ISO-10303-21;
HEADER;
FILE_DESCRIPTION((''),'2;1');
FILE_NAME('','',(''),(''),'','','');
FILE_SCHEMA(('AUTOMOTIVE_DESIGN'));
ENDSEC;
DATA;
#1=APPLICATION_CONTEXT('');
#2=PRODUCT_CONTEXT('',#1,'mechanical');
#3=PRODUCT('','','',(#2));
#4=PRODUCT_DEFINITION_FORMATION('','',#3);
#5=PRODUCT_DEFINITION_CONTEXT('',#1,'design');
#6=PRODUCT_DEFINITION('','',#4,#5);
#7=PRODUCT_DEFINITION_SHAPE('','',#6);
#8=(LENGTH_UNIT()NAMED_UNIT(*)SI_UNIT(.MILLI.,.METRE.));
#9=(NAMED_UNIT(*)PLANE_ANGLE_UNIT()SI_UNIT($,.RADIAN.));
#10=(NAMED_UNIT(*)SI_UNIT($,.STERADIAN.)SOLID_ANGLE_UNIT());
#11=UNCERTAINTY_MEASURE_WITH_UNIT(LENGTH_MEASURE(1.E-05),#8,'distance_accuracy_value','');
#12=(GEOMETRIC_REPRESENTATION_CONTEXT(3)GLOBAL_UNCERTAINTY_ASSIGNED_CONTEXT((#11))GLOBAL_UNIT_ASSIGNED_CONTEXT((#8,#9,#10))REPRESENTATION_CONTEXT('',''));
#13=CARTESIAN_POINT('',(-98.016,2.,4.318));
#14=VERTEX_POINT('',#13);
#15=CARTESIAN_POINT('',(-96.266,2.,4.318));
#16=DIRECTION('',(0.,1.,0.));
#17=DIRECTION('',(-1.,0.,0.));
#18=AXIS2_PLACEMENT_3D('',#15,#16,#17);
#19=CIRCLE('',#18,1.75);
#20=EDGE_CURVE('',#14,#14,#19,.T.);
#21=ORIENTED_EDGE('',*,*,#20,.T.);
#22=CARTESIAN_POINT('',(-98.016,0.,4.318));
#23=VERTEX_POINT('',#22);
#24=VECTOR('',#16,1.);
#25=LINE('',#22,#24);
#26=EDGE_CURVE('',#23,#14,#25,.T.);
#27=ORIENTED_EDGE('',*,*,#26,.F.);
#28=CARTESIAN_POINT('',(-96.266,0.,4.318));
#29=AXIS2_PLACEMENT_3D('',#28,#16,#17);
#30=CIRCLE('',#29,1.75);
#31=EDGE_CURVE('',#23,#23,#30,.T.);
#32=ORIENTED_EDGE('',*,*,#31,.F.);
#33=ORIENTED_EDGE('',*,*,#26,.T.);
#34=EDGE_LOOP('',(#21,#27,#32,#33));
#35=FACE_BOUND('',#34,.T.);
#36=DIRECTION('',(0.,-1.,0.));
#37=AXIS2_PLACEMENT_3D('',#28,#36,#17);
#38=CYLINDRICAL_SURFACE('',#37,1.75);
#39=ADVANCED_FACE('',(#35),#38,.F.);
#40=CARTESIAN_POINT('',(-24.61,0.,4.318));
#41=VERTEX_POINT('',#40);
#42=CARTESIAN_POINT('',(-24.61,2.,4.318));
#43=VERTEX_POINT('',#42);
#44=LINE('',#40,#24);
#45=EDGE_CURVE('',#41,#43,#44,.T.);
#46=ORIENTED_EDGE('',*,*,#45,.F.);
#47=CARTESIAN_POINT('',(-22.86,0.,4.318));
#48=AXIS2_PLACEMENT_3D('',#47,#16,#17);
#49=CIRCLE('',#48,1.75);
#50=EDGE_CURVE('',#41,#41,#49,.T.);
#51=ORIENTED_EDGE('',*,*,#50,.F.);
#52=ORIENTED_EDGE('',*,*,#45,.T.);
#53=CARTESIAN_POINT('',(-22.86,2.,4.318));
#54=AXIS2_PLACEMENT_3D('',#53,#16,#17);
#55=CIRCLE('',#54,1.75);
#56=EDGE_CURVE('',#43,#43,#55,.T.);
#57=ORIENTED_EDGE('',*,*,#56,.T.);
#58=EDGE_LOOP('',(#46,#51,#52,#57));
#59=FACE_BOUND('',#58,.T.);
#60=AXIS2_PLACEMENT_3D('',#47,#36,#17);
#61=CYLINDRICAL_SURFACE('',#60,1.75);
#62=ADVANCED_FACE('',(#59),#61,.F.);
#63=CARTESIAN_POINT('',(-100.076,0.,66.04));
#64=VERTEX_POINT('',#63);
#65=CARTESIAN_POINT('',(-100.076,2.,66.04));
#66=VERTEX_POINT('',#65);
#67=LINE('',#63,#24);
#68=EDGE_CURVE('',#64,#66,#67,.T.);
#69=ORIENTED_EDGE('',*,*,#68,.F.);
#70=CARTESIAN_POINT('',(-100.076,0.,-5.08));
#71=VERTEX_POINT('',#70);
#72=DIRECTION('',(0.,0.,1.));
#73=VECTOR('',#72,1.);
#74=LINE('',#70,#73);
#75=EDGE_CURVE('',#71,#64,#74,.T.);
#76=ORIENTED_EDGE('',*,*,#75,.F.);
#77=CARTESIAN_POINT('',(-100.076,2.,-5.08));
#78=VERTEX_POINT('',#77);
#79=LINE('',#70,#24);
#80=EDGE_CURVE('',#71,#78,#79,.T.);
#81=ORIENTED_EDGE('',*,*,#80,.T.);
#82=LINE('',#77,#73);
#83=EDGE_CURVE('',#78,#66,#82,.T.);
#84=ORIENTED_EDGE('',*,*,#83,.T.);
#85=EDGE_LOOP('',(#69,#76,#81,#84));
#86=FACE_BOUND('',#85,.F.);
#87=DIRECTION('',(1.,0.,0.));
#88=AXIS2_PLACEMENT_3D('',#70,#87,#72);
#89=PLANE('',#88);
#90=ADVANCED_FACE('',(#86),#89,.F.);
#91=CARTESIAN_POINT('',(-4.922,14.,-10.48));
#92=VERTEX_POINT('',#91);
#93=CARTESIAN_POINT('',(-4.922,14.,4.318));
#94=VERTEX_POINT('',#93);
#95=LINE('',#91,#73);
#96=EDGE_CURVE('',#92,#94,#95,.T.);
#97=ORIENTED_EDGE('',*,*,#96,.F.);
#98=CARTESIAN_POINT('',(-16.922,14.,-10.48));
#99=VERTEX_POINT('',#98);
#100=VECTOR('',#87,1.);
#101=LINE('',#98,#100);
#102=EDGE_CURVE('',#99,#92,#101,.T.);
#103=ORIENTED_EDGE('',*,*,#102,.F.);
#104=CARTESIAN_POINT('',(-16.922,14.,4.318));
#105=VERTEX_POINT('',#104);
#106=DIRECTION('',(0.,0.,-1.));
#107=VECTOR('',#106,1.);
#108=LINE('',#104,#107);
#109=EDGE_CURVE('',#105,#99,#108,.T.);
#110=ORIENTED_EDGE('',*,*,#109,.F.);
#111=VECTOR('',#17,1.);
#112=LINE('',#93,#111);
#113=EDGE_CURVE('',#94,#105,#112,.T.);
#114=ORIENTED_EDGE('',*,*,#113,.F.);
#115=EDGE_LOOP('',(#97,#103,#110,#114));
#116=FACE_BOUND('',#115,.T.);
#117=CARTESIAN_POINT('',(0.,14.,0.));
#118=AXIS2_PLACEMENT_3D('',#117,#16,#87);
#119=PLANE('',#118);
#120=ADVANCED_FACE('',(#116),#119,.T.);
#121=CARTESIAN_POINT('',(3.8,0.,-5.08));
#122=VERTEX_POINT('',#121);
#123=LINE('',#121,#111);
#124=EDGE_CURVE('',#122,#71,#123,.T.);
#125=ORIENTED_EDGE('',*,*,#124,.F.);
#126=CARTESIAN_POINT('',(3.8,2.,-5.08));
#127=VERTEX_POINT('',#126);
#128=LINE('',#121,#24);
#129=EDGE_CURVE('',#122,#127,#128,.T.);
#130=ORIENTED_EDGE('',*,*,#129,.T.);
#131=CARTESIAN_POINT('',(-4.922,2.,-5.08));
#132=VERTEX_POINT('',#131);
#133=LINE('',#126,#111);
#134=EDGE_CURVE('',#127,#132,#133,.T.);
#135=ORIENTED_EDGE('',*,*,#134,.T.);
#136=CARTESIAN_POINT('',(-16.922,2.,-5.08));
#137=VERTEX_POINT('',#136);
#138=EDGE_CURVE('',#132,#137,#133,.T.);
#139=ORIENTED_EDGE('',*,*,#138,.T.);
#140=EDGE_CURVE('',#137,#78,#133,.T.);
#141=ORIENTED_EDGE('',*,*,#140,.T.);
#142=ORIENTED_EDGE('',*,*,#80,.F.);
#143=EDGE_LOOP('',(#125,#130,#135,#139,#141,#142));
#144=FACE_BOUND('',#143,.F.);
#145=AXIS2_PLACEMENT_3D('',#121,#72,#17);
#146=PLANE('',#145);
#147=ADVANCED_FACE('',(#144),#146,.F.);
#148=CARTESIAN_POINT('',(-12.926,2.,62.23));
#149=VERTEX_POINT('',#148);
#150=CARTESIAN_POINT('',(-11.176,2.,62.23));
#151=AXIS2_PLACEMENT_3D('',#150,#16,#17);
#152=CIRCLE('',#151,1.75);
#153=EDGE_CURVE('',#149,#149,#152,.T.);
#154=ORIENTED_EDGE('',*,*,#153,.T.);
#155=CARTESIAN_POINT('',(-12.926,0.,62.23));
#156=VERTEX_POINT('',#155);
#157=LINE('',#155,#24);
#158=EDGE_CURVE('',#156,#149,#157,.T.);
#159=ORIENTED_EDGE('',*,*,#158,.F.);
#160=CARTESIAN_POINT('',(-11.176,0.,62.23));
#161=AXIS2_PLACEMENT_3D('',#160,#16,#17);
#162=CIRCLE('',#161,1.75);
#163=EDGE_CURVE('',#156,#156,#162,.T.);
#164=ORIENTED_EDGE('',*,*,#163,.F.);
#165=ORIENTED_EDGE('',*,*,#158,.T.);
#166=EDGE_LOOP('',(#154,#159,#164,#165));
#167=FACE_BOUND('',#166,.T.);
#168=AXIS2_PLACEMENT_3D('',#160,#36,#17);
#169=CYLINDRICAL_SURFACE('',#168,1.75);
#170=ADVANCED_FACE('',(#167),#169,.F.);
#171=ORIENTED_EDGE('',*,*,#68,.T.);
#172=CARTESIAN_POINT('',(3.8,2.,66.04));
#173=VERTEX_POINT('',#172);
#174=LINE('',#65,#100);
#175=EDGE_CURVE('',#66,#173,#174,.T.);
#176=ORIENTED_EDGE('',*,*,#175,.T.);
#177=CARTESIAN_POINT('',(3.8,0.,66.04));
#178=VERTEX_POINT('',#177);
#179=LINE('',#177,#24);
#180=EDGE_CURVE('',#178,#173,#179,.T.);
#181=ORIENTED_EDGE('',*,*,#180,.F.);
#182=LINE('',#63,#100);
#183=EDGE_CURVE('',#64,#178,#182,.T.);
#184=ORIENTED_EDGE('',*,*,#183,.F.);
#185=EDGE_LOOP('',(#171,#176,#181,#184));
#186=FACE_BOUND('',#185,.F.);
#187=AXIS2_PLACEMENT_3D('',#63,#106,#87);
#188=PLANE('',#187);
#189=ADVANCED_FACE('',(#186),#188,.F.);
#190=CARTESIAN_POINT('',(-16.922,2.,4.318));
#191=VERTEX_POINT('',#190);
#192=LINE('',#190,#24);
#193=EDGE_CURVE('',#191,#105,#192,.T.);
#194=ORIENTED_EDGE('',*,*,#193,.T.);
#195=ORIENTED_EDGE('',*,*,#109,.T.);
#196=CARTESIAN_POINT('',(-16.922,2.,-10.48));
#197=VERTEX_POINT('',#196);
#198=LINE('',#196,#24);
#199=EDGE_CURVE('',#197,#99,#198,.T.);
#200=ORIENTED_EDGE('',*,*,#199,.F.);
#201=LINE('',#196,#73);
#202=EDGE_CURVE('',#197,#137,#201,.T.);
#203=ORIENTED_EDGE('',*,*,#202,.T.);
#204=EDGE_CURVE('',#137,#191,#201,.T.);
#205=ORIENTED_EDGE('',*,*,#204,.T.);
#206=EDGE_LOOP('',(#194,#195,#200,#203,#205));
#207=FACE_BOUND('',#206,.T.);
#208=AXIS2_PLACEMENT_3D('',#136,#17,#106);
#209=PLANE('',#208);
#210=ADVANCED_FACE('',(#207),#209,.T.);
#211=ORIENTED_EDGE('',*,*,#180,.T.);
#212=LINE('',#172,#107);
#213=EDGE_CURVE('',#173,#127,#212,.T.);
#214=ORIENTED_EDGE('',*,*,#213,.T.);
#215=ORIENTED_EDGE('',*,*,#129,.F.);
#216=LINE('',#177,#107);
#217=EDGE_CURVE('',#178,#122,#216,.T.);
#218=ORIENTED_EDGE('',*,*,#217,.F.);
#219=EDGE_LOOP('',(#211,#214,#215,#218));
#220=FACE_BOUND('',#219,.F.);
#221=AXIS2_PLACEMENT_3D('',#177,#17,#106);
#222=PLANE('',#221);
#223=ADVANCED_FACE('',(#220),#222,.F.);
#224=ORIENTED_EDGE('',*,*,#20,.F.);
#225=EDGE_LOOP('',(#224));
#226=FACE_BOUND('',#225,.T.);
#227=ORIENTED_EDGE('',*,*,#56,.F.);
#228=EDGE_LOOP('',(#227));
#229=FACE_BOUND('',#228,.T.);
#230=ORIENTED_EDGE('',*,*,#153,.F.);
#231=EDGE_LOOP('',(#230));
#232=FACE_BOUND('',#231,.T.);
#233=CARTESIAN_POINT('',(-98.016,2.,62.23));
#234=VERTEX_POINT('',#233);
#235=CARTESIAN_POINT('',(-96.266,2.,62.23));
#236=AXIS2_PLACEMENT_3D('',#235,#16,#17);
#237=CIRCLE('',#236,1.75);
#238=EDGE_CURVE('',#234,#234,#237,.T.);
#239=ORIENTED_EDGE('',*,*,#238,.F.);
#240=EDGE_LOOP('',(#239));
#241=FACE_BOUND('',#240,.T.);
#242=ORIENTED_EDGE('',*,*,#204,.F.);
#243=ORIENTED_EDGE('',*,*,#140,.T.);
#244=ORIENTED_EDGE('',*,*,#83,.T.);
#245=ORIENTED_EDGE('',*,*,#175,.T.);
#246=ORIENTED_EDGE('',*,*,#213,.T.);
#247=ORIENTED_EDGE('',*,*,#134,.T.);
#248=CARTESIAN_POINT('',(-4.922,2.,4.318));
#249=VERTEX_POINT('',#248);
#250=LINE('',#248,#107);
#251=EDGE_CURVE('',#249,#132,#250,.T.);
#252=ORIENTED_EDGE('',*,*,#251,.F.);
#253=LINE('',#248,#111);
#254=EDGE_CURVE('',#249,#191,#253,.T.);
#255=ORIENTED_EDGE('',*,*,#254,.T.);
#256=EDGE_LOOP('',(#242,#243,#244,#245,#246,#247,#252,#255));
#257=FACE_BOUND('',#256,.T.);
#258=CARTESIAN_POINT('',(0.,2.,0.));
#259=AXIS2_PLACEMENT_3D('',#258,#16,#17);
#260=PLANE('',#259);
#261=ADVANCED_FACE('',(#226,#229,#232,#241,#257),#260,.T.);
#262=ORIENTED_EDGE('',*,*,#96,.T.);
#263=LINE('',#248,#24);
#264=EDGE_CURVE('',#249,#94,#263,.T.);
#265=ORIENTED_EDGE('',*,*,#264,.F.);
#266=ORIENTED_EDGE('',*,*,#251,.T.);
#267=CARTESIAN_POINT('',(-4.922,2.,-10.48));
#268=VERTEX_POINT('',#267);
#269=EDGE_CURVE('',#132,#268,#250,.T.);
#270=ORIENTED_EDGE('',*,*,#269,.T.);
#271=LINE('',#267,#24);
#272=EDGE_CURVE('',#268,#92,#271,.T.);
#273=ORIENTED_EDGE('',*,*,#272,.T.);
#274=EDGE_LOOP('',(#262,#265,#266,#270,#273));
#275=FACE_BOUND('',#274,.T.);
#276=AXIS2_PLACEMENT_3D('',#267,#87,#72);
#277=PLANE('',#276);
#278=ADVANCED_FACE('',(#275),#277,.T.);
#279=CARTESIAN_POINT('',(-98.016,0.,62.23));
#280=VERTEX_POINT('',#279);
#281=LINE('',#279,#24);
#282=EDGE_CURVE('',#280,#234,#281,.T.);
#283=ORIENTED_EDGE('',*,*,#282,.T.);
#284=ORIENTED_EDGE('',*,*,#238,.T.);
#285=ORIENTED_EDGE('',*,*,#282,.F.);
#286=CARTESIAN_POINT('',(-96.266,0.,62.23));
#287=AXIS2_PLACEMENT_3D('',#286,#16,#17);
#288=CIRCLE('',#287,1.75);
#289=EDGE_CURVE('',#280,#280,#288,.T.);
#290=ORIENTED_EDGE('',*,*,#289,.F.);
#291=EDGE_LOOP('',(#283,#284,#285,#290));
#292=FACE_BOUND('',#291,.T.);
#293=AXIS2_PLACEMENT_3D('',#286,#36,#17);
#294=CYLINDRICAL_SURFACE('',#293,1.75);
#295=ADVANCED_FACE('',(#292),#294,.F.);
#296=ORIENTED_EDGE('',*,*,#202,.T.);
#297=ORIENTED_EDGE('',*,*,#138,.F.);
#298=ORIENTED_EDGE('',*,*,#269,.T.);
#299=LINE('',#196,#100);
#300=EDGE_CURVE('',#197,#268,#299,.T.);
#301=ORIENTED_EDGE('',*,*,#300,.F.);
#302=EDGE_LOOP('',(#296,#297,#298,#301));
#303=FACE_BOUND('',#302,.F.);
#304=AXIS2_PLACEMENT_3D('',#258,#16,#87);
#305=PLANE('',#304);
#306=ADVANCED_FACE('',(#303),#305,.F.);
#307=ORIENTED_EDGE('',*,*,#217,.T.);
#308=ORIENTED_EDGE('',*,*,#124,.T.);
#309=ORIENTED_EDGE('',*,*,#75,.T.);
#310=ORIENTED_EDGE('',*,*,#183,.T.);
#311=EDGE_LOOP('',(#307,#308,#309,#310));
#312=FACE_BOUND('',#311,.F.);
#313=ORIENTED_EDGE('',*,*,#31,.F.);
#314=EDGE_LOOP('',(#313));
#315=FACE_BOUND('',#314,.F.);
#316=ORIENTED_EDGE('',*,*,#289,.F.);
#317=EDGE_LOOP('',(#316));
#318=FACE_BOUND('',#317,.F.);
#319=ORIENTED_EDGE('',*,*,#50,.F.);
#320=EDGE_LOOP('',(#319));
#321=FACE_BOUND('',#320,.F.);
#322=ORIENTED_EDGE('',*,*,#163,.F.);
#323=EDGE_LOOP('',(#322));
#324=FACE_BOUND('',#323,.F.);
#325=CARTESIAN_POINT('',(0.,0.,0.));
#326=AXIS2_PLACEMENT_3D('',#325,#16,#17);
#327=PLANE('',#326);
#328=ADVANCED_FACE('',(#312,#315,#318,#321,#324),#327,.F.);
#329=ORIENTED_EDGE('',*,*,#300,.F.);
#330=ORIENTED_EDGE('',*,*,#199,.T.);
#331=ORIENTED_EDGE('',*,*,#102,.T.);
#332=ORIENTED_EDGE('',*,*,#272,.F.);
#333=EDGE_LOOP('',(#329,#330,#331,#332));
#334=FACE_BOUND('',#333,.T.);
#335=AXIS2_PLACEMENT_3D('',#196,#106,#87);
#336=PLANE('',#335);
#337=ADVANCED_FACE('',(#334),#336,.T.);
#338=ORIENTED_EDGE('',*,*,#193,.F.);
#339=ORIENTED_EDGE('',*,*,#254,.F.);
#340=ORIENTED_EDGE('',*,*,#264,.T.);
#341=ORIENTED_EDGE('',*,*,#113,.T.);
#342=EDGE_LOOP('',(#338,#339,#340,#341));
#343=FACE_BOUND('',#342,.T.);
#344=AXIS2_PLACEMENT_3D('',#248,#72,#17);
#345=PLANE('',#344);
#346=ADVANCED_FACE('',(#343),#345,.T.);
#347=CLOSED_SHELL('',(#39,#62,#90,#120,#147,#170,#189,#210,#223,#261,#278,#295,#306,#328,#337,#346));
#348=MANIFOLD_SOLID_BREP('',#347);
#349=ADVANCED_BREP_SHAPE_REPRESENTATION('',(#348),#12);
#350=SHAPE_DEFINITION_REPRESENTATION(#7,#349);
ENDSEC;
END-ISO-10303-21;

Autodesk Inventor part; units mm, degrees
ref_plane "YZ Plane" through (0, 0, 0) normal (1, 0, 0) x (0, 1, 0)
ref_plane "XZ Plane" through (0, 0, 0) normal (0, 1, 0) x (-1, 0, 0)
ref_plane "XY Plane" through (0, 0, 0) normal (0, 0, 1) x (1, 0, 0)
sketch "Sketch1" plane through (0, 0, 0) normal (0, 1, 0) x (-1, 0, 0)
  line L0 (-3.8, -5.08) -> (100.076, -5.08)
  line L1 (100.076, -5.08) -> (100.076, 66.04)
  line L2 (100.076, 66.04) -> (-3.8, 66.04)
  line L3 (-3.8, 66.04) -> (-3.8, -5.08)
  circle A0 centre (11.176, 62.23) radius 1.75
  circle A1 centre (96.266, 62.23) radius 1.75
  circle A2 centre (96.266, 4.318) radius 1.75
  circle A3 centre (22.86, 4.318) radius 1.75
  line L4 (10.922, -14.9293) -> (10.922, -25.1011) construction
  point P0 (0, 0)
  dimension "d1" = 3.8
  dimension "d2" = 5.08
  dimension "d3" = 100.076
  dimension "d4" = 66.04
  dimension "d5" = 22.86
  dimension "d6" = 4.318
  dimension "d7" = 3.5
  dimension "d8" = 96.266
  dimension "d9" = 4.318
  dimension "d10" = 3.5
  dimension "d11" = 62.23
  dimension "d12" = 11.176
  dimension "d13" = 3.5
  dimension "d14" = 3.5
  dimension "d15" = 10.922
  dimension "d16" = 11.938
extrude "Extrusion1" add sketch "Sketch1" along normal blind 2
sketch "Sketch2" plane through (0, 2, 0) normal (0, 1, 0) x (1, 0, 0)
  circle A0 centre (-22.86, -4.318) radius 1.75 projected
  line L0 (-16.922, 10.48) -> (-4.922, 10.48)
  line L1 (-4.922, 10.48) -> (-4.922, -4.318)
  line L2 (-4.922, -4.318) -> (-16.922, -4.318)
  line L3 (-16.922, -4.318) -> (-16.922, 10.48)
  line L4 (-10.922, -7.2674) -> (-10.922, -16.4399) construction
  line L5 (3.8, 5.08) -> (-100.076, 5.08) projected
  point P0 (0, 0)
  dimension "d20" = 11.938
  dimension "d21" = 6
  dimension "d22" = 12
  dimension "d25" = 5.4
extrude "Extrusion2" add sketch "Sketch2" along normal blind 12 contours L0 L1 L5 L3 | L5 L1 L2 L3
properties part number "printrboard"
